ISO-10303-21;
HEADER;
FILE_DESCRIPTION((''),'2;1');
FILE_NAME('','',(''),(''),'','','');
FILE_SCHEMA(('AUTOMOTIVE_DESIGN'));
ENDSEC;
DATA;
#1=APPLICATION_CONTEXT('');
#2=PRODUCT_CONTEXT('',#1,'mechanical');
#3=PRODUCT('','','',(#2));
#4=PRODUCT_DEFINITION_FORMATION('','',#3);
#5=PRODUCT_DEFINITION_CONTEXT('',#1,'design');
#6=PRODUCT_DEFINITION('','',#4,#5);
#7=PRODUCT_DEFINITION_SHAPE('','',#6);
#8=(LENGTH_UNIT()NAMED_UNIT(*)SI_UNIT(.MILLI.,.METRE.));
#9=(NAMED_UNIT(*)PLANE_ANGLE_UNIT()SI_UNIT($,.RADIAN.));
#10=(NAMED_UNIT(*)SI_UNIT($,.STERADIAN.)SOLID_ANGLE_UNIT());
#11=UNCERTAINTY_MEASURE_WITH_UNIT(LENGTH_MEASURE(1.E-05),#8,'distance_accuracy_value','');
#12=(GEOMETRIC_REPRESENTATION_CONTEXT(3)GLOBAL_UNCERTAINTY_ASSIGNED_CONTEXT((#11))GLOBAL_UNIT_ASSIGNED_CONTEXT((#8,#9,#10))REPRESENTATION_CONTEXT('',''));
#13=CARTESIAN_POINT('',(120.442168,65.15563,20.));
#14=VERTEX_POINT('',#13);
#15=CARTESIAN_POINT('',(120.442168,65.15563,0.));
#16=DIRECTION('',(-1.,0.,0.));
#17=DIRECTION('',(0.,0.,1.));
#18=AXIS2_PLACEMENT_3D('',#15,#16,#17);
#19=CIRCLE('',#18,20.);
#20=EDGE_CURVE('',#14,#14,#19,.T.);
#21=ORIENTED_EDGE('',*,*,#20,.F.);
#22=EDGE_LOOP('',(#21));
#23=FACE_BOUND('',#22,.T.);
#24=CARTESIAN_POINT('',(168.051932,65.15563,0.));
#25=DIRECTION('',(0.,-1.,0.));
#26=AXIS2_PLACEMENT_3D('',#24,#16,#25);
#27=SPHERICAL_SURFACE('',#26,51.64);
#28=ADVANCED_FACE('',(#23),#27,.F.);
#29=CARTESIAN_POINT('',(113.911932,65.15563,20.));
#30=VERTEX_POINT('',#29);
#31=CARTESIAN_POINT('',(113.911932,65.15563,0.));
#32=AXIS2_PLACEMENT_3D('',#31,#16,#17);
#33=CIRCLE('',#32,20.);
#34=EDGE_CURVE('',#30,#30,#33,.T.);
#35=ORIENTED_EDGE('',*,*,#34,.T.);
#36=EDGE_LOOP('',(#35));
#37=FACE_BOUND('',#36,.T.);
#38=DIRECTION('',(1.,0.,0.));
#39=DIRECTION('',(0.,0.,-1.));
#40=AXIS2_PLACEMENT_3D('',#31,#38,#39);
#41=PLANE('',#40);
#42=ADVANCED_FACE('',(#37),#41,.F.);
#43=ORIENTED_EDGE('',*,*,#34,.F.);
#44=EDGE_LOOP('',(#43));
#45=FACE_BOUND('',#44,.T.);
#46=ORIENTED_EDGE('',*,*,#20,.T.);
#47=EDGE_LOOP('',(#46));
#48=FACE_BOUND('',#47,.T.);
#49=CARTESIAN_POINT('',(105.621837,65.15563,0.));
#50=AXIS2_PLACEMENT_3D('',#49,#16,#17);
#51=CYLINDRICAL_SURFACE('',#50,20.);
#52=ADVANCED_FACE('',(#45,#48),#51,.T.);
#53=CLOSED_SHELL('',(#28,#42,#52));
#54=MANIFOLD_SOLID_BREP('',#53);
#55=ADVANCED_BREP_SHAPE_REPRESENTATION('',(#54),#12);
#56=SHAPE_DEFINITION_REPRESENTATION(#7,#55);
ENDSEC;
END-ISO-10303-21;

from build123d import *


with BuildPart() as part:
    # 草图1 → 旋转1 (revolve)
    with BuildSketch(Plane.XY, mode=Mode.PRIVATE) as revolve_1_sk:
        with BuildLine():
            Line((113.911931674, 65.155630457), (113.911931674, 85.155630457))
            Line((113.911931674, 85.155630457), (120.44216797, 85.155630457))
            ThreePointArc((120.44216797, 85.155630457), (117.42951669, 75.356645169), (116.411931674, 65.155630457))
            Line((116.411931674, 65.155630457), (113.911931674, 65.155630457))
        make_face()
    revolve(revolve_1_sk.sketch.rotate(Axis((105.621837124, 65.155630457, 0), (1, 0, 0)), 180), axis=Axis((105.621837124, 65.155630457, 0), (1, 0, 0)))  # turned: the seam where the file's is


solid = part.part
